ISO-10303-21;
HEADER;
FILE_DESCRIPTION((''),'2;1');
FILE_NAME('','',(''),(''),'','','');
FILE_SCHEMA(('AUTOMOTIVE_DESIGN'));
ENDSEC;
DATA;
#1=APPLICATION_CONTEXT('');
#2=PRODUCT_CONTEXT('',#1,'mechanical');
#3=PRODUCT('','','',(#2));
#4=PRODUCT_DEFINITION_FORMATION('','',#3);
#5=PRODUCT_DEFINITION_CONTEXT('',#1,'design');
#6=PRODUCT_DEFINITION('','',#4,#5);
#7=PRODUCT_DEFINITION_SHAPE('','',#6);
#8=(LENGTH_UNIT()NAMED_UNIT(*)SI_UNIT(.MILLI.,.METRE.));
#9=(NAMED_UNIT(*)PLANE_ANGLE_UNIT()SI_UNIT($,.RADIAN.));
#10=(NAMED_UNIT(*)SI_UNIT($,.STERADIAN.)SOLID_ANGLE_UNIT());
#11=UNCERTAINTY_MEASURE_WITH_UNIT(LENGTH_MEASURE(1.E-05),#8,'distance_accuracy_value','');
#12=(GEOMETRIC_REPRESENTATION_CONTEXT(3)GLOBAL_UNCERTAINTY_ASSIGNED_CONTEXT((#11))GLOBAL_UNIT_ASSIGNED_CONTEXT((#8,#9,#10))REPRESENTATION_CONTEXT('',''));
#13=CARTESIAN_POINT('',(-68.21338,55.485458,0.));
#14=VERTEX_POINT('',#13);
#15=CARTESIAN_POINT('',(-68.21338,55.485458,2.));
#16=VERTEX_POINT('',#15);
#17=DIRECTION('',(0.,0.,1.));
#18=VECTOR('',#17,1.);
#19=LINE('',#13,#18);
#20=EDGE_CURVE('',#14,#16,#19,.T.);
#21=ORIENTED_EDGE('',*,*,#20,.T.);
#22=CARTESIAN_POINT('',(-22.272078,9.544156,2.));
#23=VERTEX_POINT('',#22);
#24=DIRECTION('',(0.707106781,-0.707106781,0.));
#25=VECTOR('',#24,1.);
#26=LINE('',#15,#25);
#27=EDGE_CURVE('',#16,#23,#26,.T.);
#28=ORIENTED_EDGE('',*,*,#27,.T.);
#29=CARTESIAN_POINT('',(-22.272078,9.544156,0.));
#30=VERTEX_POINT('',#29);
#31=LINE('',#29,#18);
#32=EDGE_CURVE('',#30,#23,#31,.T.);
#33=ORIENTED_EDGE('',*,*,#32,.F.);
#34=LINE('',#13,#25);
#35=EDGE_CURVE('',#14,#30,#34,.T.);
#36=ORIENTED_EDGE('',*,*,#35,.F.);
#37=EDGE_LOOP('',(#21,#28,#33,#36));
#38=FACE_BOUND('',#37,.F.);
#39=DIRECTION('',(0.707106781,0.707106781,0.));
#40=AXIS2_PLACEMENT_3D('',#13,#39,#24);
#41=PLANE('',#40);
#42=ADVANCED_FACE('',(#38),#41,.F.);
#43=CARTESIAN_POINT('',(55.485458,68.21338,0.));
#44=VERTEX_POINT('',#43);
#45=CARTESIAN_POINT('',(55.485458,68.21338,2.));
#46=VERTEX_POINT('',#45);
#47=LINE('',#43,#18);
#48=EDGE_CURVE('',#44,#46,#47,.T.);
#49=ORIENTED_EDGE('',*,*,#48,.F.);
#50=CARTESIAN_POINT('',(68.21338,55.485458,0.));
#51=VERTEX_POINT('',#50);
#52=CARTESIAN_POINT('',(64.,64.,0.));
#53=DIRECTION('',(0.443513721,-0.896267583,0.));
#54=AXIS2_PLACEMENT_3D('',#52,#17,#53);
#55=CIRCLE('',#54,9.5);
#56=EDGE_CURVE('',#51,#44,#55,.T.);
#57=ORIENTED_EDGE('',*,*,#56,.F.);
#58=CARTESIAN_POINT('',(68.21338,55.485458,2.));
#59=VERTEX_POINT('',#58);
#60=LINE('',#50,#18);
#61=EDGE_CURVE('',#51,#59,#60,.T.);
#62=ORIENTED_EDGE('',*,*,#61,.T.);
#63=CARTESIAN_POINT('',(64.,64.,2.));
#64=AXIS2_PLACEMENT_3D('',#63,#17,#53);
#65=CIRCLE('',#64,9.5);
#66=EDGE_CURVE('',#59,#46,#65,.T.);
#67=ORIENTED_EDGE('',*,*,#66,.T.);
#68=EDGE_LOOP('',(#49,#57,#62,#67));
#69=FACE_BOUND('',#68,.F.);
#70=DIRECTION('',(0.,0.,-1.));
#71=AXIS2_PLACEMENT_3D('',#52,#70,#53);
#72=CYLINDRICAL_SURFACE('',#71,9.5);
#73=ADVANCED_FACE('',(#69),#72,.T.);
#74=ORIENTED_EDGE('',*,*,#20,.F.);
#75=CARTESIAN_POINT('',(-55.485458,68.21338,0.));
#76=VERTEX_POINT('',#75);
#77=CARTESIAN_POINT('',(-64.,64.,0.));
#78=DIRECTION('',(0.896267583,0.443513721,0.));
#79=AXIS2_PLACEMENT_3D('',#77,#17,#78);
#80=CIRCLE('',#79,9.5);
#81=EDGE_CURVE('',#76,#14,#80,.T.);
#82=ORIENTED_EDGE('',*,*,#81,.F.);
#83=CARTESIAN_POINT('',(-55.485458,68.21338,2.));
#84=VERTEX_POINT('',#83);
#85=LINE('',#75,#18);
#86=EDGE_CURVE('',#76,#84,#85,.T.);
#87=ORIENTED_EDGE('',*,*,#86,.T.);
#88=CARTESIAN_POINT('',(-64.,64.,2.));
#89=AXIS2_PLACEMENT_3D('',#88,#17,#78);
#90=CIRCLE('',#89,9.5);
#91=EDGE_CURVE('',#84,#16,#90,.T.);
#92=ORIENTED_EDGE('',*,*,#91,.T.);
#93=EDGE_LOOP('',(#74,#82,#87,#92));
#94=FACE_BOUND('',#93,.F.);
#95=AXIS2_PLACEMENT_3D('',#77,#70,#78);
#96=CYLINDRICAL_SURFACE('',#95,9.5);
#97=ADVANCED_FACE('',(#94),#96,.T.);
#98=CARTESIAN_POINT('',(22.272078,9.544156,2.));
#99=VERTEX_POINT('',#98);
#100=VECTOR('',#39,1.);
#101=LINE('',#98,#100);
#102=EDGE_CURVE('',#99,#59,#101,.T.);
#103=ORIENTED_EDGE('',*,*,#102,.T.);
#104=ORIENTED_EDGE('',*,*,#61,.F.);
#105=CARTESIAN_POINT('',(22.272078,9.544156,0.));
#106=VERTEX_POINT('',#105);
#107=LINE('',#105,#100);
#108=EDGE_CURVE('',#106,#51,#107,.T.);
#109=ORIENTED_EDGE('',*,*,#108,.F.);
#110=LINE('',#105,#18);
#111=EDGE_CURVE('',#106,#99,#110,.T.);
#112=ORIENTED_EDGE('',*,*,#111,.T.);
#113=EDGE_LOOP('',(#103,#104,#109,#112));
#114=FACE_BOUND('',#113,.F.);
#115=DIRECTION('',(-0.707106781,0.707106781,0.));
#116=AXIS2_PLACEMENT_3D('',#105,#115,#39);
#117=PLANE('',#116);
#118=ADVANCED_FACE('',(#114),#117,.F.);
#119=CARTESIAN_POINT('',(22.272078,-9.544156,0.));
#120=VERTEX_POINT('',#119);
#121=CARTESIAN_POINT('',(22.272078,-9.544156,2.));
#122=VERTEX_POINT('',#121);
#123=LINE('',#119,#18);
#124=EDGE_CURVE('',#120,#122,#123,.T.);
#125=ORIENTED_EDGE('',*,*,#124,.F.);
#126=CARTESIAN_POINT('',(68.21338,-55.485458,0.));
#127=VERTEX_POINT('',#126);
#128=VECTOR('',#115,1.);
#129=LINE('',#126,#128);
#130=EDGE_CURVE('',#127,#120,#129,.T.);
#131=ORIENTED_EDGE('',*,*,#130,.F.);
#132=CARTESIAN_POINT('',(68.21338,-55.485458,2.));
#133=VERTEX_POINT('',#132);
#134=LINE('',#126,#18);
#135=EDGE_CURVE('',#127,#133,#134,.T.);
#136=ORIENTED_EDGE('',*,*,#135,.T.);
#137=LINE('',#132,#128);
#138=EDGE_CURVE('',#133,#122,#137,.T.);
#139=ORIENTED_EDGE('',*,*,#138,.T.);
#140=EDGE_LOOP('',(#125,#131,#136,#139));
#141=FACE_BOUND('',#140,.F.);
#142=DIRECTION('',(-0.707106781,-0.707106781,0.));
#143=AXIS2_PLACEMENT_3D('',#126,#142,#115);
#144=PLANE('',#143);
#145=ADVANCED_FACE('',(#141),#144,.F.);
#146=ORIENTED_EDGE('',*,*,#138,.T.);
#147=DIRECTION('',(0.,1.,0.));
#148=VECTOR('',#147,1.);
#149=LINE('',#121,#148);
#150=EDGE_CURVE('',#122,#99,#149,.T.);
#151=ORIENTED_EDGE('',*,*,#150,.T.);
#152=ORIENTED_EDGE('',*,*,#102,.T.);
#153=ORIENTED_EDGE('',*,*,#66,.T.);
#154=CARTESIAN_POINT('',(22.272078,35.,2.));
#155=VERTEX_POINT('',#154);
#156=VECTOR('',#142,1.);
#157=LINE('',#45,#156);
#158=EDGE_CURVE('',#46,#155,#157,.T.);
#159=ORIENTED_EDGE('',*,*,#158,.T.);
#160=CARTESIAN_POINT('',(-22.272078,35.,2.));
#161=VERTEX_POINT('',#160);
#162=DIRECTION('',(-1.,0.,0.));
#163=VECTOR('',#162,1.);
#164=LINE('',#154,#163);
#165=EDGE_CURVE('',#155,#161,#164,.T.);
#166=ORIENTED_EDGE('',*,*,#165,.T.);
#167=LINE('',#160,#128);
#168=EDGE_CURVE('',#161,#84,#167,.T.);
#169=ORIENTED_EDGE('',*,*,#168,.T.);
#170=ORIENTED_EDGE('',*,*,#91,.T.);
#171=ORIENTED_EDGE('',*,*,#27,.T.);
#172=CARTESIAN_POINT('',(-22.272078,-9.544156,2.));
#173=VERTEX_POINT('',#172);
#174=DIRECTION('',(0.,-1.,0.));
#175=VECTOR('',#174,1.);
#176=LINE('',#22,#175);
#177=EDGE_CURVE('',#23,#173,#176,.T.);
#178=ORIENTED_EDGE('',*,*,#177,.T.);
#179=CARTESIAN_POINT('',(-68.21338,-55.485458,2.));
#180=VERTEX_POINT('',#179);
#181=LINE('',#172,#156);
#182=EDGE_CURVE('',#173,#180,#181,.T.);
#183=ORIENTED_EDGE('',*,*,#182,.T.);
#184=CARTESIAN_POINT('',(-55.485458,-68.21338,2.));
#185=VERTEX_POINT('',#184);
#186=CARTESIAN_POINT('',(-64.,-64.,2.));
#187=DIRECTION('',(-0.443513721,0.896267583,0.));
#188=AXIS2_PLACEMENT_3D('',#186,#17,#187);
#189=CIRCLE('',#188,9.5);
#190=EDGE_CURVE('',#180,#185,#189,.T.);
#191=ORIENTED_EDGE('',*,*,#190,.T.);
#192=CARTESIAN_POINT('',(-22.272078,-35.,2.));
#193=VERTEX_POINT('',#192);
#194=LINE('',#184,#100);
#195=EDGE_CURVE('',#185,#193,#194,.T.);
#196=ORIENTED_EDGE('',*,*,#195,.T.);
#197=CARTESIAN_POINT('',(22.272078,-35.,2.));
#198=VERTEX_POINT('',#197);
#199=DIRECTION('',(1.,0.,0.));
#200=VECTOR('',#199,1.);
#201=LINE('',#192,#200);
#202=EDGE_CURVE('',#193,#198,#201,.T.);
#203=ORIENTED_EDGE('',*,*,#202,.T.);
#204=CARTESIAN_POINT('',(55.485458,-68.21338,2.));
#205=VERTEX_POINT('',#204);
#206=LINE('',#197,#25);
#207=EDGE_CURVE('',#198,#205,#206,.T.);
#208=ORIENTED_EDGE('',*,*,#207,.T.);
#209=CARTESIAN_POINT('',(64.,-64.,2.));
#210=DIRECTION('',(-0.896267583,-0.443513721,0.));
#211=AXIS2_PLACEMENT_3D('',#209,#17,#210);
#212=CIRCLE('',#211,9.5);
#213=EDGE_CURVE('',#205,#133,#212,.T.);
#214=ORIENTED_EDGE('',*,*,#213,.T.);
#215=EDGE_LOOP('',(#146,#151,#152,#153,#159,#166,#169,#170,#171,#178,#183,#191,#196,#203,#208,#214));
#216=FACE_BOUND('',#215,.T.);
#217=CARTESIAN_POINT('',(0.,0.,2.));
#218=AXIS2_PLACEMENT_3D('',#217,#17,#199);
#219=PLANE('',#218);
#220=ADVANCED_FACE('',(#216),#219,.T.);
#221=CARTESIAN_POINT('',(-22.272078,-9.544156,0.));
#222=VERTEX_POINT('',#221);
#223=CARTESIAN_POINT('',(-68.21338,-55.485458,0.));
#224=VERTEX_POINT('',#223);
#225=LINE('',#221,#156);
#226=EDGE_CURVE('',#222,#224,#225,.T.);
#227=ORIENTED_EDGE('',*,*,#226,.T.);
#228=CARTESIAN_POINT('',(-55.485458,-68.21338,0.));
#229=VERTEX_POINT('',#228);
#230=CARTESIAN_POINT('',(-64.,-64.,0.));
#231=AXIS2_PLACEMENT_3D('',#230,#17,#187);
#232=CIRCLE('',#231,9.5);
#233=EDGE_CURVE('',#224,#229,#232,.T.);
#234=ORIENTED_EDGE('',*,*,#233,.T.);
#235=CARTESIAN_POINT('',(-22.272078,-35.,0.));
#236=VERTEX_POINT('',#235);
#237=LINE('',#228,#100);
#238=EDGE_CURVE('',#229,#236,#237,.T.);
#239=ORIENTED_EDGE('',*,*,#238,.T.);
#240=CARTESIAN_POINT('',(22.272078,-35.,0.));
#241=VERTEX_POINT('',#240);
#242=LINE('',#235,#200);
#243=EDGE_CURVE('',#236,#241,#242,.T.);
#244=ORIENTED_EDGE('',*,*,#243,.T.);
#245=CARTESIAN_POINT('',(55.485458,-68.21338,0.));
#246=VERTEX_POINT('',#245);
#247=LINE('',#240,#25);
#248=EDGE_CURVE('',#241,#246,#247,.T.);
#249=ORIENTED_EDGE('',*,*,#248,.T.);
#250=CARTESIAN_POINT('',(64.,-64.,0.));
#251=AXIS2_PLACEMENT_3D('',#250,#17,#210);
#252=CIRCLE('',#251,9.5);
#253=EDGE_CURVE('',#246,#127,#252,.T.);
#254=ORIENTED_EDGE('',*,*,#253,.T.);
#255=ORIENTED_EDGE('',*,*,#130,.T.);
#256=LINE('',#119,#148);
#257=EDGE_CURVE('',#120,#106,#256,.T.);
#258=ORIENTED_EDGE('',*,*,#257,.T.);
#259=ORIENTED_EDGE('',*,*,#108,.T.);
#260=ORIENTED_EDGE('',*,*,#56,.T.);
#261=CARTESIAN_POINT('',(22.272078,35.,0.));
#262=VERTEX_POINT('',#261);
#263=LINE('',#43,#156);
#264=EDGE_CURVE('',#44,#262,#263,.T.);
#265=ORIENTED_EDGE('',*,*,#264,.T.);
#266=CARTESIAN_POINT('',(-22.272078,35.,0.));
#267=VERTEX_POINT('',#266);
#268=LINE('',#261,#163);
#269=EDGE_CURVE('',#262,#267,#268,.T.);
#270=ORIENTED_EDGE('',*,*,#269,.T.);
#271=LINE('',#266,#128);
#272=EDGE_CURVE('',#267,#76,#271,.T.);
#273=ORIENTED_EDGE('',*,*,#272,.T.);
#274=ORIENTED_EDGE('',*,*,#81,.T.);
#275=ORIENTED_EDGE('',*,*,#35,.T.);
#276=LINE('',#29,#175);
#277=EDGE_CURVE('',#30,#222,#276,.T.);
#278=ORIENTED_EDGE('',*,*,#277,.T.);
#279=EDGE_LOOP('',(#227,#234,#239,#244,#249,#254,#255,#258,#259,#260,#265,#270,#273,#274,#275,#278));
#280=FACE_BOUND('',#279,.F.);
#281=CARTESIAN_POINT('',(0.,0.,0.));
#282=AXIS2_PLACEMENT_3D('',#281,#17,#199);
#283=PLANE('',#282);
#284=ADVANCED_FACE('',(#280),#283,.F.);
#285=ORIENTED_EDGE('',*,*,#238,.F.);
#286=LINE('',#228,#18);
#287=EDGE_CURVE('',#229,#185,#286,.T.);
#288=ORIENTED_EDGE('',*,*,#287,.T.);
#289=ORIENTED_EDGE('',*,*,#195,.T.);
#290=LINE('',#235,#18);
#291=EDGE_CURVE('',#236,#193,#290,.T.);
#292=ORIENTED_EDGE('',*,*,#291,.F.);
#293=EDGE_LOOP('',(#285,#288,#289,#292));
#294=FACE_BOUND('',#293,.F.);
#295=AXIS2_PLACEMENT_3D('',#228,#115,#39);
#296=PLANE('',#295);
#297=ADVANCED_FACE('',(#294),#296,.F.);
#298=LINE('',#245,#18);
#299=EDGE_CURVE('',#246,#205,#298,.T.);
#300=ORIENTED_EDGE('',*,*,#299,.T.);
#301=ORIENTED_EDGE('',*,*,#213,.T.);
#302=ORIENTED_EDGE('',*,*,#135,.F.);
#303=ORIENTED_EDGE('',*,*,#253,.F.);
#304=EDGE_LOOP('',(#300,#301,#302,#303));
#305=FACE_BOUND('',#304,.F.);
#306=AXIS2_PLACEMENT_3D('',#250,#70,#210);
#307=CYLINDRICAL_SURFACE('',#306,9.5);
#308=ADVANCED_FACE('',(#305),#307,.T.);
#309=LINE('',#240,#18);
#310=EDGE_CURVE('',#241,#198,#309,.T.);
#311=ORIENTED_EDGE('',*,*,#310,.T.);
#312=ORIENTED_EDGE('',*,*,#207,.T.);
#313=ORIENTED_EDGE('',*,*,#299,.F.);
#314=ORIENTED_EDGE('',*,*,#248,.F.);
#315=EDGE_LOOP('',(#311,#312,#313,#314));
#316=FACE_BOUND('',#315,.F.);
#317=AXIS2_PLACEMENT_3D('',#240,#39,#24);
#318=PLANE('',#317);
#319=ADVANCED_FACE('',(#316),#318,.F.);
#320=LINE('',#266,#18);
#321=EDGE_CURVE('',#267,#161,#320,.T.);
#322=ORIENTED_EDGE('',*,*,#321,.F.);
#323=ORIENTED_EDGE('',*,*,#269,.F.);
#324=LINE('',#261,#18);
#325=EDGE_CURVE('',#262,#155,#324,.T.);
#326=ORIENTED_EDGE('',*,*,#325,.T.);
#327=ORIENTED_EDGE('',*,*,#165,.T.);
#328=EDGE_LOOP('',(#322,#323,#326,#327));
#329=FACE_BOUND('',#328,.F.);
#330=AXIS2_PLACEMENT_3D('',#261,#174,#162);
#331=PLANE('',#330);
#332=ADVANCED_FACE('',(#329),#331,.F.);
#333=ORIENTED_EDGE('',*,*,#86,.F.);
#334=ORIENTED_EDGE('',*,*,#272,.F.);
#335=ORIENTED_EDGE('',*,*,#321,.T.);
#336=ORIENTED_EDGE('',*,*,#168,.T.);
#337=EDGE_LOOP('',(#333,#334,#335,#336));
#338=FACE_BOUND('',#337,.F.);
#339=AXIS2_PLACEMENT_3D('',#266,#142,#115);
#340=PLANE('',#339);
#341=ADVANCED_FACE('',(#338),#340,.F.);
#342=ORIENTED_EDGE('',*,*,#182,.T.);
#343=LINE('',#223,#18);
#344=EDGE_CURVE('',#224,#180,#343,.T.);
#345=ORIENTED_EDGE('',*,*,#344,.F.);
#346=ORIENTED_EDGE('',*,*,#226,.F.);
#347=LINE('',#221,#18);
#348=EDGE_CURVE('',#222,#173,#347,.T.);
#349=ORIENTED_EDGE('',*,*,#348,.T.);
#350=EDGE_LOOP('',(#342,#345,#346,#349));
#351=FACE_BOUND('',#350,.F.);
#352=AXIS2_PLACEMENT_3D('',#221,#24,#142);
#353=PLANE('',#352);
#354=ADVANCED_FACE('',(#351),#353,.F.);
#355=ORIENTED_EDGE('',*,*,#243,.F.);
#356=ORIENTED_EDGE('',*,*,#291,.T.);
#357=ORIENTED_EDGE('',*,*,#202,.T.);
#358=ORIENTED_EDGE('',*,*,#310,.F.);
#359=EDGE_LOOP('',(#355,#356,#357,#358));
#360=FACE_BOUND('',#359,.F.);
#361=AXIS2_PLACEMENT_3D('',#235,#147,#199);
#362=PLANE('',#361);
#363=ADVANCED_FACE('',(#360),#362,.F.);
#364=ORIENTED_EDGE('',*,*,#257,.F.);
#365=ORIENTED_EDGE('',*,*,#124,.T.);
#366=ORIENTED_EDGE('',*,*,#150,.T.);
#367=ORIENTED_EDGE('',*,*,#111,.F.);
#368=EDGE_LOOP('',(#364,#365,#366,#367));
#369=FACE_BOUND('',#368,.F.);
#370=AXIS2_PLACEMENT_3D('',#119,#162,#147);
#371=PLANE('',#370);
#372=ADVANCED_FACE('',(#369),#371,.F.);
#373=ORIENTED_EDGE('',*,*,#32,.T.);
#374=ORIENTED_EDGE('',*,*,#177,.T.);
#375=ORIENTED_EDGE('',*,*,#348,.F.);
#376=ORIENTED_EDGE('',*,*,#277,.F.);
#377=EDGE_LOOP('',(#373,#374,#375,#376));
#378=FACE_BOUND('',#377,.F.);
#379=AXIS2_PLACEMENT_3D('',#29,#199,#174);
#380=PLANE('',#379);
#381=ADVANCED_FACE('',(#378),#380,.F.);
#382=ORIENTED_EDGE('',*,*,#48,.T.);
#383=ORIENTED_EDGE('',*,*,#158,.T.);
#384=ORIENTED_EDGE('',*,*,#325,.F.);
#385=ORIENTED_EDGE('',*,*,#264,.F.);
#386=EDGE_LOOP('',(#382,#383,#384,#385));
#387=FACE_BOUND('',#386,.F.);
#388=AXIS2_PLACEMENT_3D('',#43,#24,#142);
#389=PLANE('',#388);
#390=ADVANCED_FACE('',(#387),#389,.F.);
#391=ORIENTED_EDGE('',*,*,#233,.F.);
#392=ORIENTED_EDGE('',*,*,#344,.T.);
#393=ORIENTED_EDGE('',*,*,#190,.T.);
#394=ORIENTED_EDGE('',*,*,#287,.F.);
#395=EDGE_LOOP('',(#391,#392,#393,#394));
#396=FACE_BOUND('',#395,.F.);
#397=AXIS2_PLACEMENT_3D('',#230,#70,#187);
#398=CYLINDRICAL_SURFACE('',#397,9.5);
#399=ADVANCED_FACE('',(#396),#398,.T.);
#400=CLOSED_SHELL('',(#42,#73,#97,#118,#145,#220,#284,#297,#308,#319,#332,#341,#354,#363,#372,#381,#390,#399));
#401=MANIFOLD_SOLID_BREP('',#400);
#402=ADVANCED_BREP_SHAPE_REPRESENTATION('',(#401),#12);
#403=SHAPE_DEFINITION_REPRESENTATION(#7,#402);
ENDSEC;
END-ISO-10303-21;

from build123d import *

# Parameters (mm, degrees)
F1_DEPTH = 2


with BuildPart() as f1:
    # F0 (on Top) → F1 (new body)
    with BuildSketch(Plane.XY):
        with BuildLine():
            Line((-22.272078, 35), (-55.485458, 68.21338))
            ThreePointArc((-55.485458, 68.21338), (-70.717514, 70.717514), (-68.21338, 55.485458))
            Line((-68.21338, 55.485458), (-22.272078, 9.544156))
            Line((-22.272078, 9.544156), (-22.272078, 0))
            Line((-22.272078, 0), (-22.272078, -9.544156))
            Line((-22.272078, -9.544156), (-68.21338, -55.485458))
            ThreePointArc((-68.21338, -55.485458), (-70.717514, -70.717514), (-55.485458, -68.21338))
            Line((-55.485458, -68.21338), (-22.272078, -35))
            Line((-22.272078, -35), (22.272078, -35))
            Line((22.272078, -35), (55.485458, -68.21338))
            ThreePointArc((55.485458, -68.21338), (70.717514, -70.717514), (68.21338, -55.485458))
            Line((68.21338, -55.485458), (22.272078, -9.544156))
            Line((22.272078, -9.544156), (22.272078, 0))
            Line((22.272078, 0), (22.272078, 9.544156))
            Line((22.272078, 9.544156), (68.21338, 55.485458))
            ThreePointArc((68.21338, 55.485458), (70.717514, 70.717514), (55.485458, 68.21338))
            Line((55.485458, 68.21338), (22.272078, 35))
            Line((22.272078, 35), (-22.272078, 35))
        make_face()
    extrude(amount=F1_DEPTH)


solid = f1.part
